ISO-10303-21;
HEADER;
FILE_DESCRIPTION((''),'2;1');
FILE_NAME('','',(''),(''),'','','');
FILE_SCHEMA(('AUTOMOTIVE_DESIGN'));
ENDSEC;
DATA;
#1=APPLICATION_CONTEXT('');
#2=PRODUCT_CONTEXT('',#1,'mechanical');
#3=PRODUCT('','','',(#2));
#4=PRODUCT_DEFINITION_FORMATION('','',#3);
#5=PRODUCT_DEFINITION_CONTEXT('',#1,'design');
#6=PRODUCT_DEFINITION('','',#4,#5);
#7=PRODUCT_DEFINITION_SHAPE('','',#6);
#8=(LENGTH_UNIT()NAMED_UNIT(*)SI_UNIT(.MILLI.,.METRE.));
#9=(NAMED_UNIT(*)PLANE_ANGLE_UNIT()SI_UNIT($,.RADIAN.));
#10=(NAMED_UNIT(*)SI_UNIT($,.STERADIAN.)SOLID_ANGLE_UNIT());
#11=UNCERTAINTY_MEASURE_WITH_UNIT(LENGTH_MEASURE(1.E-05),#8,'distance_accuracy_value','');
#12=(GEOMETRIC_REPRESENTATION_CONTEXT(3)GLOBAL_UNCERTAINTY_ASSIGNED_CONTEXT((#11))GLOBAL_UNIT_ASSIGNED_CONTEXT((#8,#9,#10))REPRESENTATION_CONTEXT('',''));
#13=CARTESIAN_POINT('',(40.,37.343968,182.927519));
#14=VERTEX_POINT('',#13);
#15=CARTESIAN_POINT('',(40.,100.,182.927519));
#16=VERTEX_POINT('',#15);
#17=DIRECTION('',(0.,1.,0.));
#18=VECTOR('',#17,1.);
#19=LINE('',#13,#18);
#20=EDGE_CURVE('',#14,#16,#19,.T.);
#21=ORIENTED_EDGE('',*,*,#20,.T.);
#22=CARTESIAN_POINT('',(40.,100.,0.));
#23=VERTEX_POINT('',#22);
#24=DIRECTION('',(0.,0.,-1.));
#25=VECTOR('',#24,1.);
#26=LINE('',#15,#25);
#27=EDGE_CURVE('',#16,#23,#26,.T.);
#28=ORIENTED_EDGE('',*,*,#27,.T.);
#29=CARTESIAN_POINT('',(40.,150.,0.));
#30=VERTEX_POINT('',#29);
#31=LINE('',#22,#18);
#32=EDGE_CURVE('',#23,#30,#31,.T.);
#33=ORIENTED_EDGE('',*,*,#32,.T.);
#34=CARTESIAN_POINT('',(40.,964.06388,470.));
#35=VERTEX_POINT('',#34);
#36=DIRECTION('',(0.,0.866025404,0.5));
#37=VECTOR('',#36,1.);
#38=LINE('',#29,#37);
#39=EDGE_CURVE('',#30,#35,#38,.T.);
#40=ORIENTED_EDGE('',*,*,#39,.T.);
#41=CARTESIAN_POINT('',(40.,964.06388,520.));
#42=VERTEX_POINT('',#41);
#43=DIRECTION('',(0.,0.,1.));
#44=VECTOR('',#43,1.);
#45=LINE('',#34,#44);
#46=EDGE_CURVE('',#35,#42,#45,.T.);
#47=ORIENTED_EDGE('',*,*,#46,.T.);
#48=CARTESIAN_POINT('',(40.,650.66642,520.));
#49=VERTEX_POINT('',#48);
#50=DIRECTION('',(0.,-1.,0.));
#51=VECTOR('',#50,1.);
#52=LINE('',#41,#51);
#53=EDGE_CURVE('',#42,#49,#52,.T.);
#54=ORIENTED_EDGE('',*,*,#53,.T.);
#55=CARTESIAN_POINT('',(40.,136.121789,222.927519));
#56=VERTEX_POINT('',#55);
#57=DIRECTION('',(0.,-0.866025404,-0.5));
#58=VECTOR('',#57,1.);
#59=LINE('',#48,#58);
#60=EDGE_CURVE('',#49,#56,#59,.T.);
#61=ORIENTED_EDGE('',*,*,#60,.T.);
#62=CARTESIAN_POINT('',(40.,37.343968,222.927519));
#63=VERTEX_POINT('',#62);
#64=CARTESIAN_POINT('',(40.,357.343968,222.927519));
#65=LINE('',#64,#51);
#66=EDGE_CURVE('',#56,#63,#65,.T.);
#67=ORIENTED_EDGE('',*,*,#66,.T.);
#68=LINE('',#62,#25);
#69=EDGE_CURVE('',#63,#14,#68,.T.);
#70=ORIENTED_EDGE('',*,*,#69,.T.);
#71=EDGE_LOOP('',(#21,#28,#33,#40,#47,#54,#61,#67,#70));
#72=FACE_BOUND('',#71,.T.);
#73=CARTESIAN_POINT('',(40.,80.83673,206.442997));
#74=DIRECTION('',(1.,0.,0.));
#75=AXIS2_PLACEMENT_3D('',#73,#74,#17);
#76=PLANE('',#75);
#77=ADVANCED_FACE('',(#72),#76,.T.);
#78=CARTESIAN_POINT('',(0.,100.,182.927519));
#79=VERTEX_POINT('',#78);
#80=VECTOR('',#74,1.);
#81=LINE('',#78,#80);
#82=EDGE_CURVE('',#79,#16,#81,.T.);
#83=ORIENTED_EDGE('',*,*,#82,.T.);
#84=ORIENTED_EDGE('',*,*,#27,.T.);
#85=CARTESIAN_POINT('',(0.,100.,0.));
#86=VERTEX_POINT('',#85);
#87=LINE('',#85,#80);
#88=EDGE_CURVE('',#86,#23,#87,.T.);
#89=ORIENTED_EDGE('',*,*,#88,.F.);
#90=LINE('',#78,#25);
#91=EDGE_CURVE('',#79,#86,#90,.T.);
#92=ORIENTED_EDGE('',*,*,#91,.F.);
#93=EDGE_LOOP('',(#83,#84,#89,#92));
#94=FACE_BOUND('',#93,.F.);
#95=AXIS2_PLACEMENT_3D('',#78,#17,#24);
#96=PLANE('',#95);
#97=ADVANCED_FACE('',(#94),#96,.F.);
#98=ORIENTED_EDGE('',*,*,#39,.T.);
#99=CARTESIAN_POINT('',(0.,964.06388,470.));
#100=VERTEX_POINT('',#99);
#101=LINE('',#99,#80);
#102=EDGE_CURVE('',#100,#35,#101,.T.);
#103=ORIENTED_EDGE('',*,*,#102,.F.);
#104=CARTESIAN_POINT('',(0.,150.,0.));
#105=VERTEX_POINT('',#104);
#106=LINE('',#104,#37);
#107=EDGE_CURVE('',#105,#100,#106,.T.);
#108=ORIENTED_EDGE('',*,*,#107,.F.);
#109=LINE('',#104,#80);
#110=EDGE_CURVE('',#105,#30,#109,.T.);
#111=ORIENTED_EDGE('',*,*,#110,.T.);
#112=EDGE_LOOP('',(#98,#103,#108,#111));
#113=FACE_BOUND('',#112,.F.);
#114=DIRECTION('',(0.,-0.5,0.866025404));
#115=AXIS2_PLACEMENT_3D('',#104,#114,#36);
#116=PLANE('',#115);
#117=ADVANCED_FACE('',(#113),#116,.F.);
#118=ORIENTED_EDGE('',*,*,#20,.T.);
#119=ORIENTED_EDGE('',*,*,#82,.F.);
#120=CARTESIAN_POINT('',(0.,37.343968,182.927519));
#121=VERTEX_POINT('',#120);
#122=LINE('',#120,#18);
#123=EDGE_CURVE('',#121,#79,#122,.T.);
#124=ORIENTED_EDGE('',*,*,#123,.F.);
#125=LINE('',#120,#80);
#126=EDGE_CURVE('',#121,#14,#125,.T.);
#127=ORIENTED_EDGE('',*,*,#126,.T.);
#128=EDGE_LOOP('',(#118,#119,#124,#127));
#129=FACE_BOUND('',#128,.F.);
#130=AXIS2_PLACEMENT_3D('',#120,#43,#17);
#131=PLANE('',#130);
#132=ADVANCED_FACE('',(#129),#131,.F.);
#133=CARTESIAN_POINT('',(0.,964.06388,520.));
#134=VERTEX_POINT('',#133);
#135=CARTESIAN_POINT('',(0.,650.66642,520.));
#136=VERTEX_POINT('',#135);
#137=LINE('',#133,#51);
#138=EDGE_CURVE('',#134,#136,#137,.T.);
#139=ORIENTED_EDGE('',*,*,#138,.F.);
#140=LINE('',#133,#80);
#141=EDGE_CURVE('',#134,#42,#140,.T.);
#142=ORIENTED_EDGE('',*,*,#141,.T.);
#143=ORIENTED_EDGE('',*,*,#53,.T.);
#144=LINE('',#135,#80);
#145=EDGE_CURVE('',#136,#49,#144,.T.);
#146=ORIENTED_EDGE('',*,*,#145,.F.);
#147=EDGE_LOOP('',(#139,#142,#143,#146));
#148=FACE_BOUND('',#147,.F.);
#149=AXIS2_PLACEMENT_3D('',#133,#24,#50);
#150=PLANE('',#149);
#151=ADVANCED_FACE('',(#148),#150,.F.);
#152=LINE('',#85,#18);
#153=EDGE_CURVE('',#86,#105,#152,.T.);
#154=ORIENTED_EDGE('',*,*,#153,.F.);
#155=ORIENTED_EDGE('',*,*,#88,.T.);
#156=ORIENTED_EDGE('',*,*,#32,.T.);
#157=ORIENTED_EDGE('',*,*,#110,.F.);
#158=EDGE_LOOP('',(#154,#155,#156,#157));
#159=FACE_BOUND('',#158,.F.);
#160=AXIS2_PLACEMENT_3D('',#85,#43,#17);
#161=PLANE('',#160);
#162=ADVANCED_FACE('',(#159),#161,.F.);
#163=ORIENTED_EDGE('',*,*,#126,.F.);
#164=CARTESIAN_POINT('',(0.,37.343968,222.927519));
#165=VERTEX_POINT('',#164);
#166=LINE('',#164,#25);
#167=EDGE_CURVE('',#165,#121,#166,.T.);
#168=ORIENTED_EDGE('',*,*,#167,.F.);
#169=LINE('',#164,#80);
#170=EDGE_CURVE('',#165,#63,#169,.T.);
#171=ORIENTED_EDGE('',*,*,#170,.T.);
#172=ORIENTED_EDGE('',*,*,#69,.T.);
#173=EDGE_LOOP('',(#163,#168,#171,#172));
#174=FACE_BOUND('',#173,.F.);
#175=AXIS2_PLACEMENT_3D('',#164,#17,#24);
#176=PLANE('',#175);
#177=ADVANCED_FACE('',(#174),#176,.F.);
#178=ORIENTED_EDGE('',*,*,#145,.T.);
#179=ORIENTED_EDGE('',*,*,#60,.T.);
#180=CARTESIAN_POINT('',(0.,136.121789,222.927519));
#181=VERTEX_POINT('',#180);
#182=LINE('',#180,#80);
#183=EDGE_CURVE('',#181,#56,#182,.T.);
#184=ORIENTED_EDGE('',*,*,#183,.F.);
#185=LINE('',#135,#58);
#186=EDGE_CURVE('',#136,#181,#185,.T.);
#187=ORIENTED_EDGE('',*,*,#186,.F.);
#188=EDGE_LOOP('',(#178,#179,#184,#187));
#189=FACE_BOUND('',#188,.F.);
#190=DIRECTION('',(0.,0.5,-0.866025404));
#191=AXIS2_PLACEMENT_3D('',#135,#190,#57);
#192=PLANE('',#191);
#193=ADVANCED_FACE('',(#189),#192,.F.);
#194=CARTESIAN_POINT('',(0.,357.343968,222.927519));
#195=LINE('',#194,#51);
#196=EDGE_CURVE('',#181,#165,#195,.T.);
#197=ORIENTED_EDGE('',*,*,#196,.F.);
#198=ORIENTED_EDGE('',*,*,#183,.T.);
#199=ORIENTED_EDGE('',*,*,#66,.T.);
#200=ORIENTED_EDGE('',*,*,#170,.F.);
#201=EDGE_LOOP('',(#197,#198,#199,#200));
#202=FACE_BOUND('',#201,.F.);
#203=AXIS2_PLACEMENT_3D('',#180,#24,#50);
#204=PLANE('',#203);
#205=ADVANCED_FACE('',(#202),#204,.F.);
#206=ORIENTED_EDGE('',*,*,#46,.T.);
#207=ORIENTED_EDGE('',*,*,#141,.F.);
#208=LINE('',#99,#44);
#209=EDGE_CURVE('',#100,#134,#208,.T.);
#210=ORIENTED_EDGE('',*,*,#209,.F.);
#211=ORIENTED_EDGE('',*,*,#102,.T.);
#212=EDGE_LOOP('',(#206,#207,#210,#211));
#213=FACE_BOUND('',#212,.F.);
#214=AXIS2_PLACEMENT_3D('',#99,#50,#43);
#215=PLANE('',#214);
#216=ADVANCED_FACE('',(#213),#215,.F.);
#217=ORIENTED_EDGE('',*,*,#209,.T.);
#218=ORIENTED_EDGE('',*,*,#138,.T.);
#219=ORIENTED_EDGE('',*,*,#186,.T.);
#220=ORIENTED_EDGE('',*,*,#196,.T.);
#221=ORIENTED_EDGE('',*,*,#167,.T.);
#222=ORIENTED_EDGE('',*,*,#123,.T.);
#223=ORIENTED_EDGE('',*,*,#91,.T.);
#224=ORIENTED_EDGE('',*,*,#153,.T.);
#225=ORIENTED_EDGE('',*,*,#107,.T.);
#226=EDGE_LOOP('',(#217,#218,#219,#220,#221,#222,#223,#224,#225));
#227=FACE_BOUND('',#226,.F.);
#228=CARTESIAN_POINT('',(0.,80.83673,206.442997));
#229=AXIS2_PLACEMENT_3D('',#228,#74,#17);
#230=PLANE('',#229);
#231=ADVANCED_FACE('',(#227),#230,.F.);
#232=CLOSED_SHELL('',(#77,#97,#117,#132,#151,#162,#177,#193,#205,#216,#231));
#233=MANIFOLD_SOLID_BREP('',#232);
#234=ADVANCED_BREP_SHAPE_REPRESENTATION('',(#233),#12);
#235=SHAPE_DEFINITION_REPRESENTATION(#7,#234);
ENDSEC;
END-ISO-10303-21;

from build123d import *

# Parameters (mm, degrees)
F1_DEPTH = 40


with BuildPart() as f1:
    # F0 (on Right) → F1 (new body)
    with BuildSketch(Plane.YZ):
        Polygon((100, 182.927519083), (100, 202.0725942164), (136.1217894571, 222.927519083), (37.343967706, 222.927519083), (37.343967706, 182.927519083), align=None)
        Polygon((136.1217894571, 222.927519083), (100, 202.0725942164), (100, 182.927519083), (357.343967706, 182.927519083), (357.343967706, 222.927519083), align=None)
        Polygon((650.6664199358, 520), (136.1217894571, 222.927519083), (357.343967706, 222.927519083), (357.343967706, 182.927519083), (100, 182.927519083), (100, 0), (150, 0), (964.0638795574, 470), (964.0638795574, 520), align=None)
    extrude(amount=F1_DEPTH)


solid = f1.part
